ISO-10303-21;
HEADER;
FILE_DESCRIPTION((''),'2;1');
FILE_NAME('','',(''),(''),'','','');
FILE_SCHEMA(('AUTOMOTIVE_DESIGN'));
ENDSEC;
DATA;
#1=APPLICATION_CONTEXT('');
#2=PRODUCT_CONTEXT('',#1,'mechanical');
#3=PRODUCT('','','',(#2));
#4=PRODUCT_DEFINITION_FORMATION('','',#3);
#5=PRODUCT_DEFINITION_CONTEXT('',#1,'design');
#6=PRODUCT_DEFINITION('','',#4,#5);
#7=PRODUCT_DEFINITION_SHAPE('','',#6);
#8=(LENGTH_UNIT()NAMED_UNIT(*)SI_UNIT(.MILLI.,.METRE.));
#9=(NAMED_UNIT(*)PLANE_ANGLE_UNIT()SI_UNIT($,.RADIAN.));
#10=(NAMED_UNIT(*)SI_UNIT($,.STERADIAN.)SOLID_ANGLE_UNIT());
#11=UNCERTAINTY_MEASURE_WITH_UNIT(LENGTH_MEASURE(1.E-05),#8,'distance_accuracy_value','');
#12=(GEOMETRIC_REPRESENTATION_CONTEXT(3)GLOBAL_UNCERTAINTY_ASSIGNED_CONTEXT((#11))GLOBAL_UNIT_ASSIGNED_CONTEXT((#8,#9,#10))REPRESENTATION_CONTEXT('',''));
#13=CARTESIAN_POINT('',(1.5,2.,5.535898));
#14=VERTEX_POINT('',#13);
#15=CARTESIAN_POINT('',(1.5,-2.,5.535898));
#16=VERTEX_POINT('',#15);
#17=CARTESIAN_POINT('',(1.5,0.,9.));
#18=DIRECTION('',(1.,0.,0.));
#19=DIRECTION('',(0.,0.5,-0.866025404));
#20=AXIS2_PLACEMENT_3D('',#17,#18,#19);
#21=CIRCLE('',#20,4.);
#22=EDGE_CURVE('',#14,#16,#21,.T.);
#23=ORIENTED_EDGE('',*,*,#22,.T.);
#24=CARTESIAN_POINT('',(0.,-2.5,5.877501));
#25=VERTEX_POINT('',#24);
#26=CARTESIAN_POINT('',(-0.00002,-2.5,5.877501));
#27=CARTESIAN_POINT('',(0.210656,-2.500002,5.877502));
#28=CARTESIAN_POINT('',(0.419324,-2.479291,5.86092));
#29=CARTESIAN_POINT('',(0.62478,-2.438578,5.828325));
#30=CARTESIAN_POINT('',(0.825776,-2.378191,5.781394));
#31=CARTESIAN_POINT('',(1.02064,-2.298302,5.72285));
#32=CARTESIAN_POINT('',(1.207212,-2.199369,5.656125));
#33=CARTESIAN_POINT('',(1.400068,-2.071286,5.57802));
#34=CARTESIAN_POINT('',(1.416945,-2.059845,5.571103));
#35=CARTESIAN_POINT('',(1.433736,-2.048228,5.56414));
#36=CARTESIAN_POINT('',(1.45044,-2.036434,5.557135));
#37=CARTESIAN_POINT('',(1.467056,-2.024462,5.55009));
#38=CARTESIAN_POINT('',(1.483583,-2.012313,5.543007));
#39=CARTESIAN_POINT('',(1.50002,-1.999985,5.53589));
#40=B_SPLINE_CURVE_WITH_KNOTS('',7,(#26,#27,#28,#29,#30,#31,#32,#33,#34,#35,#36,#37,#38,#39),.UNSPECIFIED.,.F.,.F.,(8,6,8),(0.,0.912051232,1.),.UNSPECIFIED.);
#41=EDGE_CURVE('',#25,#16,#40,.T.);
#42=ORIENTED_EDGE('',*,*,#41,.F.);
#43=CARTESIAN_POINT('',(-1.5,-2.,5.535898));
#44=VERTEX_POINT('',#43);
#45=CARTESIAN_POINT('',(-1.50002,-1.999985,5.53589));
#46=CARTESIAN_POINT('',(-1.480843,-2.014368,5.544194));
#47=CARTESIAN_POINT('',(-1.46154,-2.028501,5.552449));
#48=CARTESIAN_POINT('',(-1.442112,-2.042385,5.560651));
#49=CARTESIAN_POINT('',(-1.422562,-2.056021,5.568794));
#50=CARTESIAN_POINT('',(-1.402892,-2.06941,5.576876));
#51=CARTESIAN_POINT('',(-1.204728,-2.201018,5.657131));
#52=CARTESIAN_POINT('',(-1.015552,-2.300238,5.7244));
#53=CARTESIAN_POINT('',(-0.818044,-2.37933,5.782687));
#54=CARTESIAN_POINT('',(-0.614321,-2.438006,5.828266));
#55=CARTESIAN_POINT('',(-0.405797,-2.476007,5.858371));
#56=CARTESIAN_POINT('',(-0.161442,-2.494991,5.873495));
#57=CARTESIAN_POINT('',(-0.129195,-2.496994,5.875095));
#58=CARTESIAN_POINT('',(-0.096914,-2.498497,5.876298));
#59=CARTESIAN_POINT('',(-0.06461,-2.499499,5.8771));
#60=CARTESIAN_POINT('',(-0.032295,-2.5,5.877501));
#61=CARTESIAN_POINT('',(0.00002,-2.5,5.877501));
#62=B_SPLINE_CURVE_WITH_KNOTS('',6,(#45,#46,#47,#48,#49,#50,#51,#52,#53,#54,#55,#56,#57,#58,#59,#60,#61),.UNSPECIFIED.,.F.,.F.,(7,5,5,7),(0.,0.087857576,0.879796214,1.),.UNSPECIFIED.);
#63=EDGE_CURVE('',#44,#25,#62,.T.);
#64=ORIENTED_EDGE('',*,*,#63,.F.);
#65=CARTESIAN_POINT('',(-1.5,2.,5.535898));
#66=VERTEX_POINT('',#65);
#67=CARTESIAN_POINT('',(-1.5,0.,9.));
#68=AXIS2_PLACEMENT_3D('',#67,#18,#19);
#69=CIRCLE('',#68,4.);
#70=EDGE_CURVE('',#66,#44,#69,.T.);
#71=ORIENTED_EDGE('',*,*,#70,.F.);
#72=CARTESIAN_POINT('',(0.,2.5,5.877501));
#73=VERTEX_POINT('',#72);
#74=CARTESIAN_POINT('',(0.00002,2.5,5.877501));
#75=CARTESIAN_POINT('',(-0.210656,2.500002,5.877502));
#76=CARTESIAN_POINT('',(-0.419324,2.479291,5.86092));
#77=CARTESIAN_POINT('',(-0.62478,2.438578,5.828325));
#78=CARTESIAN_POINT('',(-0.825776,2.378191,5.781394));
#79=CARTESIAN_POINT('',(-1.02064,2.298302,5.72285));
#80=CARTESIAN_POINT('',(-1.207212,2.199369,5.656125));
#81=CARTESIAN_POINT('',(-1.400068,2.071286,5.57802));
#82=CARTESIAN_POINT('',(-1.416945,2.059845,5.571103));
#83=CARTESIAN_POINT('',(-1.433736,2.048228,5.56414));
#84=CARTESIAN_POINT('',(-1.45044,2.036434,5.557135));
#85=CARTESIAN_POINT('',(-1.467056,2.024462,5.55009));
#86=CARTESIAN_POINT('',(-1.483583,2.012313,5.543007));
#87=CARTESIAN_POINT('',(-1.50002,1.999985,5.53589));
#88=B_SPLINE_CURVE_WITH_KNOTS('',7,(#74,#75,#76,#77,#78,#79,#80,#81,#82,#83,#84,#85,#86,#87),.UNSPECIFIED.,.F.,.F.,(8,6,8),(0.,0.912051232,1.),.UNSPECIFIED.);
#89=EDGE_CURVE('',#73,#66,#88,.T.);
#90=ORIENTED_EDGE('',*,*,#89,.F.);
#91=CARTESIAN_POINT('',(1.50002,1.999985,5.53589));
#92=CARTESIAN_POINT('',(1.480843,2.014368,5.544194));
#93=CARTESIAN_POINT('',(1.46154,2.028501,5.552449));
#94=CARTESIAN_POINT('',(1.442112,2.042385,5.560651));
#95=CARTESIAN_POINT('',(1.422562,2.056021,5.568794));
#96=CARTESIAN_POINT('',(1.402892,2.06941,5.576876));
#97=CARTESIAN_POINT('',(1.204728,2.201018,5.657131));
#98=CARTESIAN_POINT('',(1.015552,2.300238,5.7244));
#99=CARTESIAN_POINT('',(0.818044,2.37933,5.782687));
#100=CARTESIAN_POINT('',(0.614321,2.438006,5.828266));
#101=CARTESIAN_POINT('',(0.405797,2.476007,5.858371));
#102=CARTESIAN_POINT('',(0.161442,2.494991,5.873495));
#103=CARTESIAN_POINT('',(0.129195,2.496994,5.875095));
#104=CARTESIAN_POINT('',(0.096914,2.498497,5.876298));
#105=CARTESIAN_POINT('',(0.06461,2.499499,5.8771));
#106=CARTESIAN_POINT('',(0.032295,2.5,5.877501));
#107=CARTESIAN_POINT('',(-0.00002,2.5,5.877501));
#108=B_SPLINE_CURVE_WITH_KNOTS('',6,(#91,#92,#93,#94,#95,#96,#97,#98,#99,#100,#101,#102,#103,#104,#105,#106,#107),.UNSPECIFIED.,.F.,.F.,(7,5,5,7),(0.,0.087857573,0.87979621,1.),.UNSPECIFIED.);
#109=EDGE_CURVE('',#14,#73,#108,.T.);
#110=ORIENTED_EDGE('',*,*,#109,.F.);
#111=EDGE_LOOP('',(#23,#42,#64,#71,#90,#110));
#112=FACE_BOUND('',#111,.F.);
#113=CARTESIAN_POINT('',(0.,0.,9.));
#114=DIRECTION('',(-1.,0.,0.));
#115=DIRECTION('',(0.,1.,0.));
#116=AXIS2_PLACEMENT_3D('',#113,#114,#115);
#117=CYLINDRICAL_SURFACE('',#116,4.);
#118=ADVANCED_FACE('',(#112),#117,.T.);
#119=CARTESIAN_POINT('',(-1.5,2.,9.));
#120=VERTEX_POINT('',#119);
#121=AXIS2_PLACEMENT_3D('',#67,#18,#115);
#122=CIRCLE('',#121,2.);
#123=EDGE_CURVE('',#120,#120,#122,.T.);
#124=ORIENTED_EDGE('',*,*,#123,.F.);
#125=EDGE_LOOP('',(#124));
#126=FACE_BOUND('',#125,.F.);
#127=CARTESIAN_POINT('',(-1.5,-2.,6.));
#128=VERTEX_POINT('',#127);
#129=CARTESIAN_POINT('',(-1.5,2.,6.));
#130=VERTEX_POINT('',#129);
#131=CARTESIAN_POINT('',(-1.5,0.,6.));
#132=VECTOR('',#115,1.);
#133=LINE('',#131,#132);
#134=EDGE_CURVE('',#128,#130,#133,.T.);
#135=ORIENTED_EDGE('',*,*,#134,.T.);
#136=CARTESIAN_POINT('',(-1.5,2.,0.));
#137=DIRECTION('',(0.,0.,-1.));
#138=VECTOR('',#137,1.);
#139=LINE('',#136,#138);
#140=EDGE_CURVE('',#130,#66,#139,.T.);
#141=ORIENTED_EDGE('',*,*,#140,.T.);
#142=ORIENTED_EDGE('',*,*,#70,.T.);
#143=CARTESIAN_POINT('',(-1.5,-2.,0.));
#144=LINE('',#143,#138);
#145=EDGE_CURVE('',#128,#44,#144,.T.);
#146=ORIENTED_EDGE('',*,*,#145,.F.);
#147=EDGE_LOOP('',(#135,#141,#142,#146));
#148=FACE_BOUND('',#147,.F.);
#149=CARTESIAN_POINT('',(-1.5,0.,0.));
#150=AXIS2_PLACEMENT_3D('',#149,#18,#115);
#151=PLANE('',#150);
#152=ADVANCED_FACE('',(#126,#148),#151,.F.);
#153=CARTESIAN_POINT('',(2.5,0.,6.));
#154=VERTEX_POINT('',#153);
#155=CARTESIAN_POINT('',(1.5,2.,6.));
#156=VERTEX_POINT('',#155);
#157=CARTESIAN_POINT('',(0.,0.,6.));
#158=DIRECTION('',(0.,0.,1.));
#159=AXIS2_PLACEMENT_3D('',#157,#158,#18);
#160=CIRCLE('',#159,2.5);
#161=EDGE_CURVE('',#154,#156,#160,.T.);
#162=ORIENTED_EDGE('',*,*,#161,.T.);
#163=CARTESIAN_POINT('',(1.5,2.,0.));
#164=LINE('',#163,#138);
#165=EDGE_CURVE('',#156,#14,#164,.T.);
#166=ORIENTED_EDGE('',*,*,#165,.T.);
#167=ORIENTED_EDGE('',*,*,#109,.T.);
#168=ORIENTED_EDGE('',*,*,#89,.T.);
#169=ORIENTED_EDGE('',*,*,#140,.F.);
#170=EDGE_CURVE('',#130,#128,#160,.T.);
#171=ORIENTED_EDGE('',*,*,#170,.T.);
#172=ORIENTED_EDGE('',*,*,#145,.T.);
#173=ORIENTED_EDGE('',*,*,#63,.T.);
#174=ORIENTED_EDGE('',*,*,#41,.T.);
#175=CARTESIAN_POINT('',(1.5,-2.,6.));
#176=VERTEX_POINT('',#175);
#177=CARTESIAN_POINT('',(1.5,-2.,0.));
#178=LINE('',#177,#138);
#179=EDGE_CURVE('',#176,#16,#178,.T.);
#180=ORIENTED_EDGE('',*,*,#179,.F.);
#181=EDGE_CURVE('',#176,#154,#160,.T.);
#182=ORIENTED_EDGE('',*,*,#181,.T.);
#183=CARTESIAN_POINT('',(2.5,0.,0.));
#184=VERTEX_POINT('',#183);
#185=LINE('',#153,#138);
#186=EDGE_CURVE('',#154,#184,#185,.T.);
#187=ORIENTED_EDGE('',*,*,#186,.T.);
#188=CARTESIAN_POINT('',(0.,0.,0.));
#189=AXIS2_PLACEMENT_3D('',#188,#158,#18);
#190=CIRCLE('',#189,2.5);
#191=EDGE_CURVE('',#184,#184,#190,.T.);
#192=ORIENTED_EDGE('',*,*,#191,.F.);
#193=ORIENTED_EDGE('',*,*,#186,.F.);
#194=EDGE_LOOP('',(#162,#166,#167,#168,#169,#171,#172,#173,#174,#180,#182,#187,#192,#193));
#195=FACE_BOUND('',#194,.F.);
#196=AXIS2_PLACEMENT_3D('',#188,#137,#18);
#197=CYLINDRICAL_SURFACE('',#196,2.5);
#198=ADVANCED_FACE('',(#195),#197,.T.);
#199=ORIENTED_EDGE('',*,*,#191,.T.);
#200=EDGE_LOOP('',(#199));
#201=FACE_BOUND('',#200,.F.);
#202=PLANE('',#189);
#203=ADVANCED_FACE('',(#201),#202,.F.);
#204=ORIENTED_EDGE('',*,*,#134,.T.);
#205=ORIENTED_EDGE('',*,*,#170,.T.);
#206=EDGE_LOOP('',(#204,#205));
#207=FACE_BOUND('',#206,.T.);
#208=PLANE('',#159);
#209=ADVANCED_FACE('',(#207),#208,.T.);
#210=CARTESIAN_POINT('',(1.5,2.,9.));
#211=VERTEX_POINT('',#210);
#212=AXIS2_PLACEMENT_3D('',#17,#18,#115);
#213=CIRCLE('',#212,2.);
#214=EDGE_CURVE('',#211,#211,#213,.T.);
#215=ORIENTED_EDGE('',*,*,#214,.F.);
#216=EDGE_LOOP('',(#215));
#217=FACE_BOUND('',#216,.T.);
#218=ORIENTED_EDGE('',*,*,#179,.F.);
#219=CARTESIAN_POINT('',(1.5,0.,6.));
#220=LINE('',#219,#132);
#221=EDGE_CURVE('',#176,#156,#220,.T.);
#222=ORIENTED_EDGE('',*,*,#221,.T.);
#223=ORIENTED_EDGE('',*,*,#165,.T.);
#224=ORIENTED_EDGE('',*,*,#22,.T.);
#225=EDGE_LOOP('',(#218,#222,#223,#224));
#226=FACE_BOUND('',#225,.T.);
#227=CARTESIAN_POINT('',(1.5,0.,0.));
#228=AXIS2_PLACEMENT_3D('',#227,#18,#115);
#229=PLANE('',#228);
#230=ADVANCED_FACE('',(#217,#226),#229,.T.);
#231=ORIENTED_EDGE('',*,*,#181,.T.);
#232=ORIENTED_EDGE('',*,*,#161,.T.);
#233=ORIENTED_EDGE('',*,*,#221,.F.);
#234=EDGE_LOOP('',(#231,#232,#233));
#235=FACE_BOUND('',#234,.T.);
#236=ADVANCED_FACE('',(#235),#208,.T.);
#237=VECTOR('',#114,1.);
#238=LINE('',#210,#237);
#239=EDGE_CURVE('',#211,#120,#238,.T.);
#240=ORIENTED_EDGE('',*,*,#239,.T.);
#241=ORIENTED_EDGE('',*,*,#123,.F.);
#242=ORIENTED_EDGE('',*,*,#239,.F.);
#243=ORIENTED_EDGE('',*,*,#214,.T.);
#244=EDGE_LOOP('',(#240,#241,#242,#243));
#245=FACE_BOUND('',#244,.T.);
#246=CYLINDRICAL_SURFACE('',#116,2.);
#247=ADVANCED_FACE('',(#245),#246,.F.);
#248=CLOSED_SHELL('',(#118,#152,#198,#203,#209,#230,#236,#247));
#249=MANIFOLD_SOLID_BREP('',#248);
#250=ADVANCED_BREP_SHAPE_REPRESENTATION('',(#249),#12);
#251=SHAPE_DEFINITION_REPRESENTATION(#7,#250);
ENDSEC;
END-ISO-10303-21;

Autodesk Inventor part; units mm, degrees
ref_plane "YZ Plane" through (0, 0, 0) normal (1, 0, 0) x (0, 1, 0)
ref_plane "XZ Plane" through (0, 0, 0) normal (0, 1, 0) x (-1, 0, 0)
ref_plane "XY Plane" through (0, 0, 0) normal (0, 0, 1) x (1, 0, 0)
sketch "スケッチ1" plane through (0, 0, 0) normal (0, 0, 1) x (1, 0, 0)
  circle A0 centre (0, 0) radius 2.5
  dimension "d0" = 5
extrude "押し出し1" add sketch "スケッチ1" along normal blind 5
sketch "スケッチ2" plane through (0, 0, 0) normal (1, 0, 0) x (0, 1, 0)
  line L0 (2.5, 5) -> (-2.5, 5) projected
  line L1 (2.5, 0) -> (-2.5, 0) projected
  circle A0 centre (0, 9) radius 2
  circle A1 centre (0, 9) radius 4
  line L2 (2.5, 5) -> (-2.5, 5) projected
  point P0 (0, 0)
  dimension "d3" = 4
  dimension "d4" = 8
sketch "スケッチ3" plane through (0, 0, 5) normal (0, 0, 1) x (1, 0, 0)
  circle A0 centre (0, 0) radius 2.5 projected
extrude "押し出し2" add sketch "スケッチ3" along normal blind 1
extrude "押し出し3" add sketch "スケッチ2" along normal mid plane 3
properties part number "尻" material "ABS プラスチック"
